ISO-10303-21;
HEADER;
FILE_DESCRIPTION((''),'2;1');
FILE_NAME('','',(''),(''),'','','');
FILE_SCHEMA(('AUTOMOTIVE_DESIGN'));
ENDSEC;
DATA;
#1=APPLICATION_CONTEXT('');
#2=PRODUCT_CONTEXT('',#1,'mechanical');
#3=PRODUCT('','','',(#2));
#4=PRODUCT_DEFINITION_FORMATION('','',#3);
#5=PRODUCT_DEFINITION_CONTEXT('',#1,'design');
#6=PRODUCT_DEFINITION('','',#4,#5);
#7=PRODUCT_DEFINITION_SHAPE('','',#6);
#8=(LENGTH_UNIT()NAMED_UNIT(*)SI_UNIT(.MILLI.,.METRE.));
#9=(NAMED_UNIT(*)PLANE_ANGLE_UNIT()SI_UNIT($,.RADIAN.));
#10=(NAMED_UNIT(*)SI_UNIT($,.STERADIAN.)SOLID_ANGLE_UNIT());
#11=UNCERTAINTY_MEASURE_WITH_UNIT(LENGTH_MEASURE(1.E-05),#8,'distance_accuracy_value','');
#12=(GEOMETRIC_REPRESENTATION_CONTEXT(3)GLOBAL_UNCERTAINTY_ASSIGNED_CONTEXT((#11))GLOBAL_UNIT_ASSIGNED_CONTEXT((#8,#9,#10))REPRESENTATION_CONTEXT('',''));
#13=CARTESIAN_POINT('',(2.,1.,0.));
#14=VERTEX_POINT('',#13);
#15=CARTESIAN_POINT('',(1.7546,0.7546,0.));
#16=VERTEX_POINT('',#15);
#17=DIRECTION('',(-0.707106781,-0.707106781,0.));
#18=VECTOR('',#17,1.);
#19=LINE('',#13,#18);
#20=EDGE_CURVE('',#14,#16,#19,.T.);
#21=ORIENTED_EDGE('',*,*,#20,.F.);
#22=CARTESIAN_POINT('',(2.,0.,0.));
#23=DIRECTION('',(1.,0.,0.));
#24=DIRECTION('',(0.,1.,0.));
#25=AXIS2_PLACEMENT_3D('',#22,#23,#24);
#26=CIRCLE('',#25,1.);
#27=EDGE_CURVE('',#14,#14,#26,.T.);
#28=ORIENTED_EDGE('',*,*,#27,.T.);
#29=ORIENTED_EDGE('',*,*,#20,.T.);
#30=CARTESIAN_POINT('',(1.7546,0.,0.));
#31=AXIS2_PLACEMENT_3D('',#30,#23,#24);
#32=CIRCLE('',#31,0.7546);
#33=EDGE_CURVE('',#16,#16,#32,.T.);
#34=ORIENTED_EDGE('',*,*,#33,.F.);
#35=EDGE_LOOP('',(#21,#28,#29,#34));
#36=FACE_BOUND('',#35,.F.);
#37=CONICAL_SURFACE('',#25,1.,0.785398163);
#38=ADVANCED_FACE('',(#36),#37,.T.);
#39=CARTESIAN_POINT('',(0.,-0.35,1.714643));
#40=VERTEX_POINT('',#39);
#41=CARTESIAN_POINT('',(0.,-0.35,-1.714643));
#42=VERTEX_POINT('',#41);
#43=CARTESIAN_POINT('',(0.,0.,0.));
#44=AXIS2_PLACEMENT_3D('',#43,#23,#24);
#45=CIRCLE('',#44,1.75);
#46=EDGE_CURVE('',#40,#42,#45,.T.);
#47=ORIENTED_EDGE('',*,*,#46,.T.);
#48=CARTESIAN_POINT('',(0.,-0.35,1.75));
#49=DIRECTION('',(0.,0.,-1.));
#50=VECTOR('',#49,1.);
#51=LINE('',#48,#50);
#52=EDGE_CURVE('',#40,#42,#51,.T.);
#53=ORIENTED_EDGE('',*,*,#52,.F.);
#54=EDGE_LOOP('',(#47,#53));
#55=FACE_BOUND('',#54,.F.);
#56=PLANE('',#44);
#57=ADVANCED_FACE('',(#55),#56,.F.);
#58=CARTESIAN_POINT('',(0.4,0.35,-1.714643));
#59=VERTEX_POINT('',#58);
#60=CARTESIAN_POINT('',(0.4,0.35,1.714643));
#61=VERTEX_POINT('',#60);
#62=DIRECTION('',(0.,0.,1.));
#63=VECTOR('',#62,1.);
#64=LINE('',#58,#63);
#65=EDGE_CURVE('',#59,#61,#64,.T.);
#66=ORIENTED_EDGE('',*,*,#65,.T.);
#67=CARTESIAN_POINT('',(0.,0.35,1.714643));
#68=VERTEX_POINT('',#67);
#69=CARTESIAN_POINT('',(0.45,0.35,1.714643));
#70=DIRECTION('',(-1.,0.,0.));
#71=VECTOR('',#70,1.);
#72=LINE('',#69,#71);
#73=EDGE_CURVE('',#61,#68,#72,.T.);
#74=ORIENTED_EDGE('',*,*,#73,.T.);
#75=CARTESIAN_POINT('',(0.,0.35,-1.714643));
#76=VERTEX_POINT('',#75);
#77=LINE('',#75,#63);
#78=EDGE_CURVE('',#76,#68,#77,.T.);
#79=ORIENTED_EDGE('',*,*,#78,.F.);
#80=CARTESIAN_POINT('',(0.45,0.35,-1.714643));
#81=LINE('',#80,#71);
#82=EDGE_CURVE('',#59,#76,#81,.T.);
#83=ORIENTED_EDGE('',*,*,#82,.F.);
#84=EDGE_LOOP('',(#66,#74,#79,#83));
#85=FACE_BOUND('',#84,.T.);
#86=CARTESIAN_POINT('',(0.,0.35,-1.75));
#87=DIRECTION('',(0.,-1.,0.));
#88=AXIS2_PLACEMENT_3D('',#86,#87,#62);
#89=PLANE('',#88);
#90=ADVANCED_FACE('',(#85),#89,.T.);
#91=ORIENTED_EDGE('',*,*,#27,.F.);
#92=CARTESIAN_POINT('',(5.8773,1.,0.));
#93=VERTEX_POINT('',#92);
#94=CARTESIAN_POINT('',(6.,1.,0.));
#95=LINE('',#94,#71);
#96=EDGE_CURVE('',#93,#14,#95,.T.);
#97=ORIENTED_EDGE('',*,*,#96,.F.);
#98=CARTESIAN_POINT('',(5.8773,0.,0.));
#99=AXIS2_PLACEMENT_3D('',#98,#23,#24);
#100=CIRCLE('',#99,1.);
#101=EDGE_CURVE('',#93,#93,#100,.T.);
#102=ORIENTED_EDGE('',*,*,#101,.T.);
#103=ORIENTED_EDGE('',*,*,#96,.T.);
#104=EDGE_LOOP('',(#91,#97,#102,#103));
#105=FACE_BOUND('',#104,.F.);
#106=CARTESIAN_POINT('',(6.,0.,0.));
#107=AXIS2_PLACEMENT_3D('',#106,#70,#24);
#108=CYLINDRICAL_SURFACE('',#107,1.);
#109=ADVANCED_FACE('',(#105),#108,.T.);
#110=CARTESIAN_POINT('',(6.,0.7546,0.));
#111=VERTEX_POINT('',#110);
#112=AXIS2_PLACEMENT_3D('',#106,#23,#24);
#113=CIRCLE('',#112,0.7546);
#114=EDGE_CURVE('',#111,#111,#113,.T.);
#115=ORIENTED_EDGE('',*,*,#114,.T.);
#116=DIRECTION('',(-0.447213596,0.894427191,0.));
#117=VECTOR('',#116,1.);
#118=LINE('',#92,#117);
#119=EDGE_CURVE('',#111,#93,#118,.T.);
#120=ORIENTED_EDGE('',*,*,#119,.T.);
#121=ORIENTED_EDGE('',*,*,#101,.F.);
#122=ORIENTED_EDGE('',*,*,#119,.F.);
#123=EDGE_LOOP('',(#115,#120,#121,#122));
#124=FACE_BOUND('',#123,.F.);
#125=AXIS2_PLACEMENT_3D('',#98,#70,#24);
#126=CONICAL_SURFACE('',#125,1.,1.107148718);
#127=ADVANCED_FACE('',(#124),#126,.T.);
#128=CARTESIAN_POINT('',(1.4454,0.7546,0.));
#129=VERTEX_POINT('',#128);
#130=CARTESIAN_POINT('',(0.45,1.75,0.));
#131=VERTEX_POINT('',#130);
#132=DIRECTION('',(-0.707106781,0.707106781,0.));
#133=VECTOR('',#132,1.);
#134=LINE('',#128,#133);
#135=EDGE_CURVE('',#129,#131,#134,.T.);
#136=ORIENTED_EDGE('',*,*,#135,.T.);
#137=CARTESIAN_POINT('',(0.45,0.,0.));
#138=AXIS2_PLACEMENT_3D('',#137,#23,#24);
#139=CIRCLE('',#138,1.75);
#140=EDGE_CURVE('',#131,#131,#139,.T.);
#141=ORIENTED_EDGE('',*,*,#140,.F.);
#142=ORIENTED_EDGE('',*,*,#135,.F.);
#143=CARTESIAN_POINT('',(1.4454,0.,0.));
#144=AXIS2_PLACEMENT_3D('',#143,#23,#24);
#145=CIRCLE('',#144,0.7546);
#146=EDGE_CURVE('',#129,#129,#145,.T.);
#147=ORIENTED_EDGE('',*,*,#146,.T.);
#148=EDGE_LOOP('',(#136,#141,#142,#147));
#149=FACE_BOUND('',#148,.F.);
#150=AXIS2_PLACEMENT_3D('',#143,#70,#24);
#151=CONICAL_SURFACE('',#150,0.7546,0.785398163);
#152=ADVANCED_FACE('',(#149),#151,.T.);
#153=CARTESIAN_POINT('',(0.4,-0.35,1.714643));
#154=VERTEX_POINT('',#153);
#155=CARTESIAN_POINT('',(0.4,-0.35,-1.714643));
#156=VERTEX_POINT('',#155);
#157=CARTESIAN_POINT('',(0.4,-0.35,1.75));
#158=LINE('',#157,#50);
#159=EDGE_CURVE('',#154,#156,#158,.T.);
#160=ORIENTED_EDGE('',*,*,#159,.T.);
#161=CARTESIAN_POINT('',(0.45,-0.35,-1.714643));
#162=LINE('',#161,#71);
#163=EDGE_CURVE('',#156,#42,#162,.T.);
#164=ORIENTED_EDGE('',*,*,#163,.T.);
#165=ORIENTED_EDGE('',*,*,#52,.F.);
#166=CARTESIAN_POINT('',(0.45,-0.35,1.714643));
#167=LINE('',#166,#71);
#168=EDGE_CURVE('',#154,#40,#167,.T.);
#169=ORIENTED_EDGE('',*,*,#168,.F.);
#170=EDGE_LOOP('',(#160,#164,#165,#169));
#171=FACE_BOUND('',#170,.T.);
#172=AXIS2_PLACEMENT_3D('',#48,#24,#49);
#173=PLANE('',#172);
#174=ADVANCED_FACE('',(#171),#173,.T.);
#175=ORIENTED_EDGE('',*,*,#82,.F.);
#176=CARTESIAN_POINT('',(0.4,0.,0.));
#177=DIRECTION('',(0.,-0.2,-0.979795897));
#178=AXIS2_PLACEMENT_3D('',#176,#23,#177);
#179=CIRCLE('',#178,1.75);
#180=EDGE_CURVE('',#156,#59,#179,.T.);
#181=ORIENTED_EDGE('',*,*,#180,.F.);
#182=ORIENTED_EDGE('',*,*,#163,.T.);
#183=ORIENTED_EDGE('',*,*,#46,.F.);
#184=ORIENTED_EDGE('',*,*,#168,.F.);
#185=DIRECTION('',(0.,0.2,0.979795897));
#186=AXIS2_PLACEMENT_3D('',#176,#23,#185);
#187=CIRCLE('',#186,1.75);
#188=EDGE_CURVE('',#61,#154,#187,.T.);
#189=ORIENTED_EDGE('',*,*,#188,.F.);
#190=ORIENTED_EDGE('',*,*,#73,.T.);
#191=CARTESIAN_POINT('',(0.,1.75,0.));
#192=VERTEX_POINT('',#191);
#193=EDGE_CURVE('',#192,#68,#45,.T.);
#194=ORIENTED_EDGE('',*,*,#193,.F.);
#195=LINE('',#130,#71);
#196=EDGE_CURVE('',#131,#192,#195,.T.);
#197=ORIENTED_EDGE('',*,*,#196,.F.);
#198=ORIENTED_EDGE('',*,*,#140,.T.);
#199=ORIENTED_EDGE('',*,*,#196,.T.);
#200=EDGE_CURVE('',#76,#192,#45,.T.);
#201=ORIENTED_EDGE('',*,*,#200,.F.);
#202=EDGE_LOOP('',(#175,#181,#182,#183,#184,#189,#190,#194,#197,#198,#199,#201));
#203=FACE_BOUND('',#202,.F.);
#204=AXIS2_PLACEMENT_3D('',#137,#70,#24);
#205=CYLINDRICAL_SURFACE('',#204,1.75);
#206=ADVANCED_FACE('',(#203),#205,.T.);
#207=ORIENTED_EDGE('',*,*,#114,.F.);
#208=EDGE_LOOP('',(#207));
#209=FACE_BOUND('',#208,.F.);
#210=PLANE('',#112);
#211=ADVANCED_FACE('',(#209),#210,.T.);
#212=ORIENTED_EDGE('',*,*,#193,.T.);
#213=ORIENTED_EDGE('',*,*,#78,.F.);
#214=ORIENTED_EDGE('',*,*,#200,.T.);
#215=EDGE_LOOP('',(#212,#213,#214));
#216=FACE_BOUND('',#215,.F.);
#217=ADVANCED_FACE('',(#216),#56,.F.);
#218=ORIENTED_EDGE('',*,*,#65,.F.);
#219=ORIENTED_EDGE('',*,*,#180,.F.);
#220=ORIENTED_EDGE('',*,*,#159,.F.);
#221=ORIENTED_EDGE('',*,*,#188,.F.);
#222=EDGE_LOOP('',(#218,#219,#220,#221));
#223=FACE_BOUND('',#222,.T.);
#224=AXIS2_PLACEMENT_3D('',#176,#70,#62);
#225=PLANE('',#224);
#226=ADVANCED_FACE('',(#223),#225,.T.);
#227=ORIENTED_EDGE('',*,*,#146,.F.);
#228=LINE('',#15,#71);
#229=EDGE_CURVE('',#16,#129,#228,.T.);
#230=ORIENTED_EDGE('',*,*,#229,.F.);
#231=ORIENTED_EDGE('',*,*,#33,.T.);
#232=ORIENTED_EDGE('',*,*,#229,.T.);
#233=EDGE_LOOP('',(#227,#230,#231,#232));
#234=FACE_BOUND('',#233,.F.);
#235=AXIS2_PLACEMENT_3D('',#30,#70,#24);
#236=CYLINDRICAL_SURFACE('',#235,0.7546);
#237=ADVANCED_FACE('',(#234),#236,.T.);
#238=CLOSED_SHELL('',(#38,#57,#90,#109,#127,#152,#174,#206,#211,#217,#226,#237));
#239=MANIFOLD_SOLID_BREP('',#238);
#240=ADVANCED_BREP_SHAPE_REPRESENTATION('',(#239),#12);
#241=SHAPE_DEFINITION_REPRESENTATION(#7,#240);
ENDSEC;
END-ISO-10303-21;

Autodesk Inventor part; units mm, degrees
ref_plane "YZ Plane" through (0, 0, 0) normal (1, 0, 0) x (0, 1, 0)
ref_plane "XZ Plane" through (0, 0, 0) normal (0, 1, 0) x (-1, 0, 0)
sketch "Sketch1" plane through (0, 0, 0) normal (0, 0, 1) x (1, 0, 0)
  line L0 (0, 0) -> (6, 0)
  line L1 (6, 0) -> (6, 1)
  line L2 (6, 1) -> (2, 1)
  line L3 (2, 1) -> (1.7546, 0.7546)
  line L4 (1.7546, 0.7546) -> (1.4454, 0.7546)
  line L5 (1.4454, 0.7546) -> (0.45, 1.75)
  line L6 (0.45, 1.75) -> (0, 1.75)
  line L7 (0, 1.75) -> (0, 0)
  line L8 (2, 1) -> (1.2, 1) construction
  line L9 (-1.2, 0) -> (7.2, 0) projected
  line L10 (0, 2.1) -> (0, -0.35) projected
  dimension "d0" = 6
  dimension "d1" = 45
  dimension "d2" = 0.2454
  dimension "d3" = 4
  dimension "d4" = 1.2
  dimension "d5" = 1.5092
  dimension "d6" = 2
  dimension "d7" = 3.5
revolve "Body" add sketch "Sketch1" angle 360 about axis through (0, 0, 0) along (1, 0, 0)
sketch "Sketch2" plane through (0, 0, 0) normal (-1, 0, 0) x (0, 0, 1)
  line L0 (1.75, -0.35) -> (-1.75, -0.35)
  line L1 (-1.75, -0.35) -> (-1.75, 0.35)
  line L2 (-1.75, 0.35) -> (1.75, 0.35)
  line L3 (1.75, 0.35) -> (1.75, -0.35)
  line L4 (0, 0.35) -> (0, -0.35) construction
  line L5 (-1.75, 0) -> (1.75, 0) construction
  line L6 (0, 1.75) -> (0, 0) projected
  dimension "d15" = 0.7
  dimension "d16" = 3.5
extrude "Slot" cut sketch "Sketch2" against normal blind 0.4
thread "Thread" size "M2x0.4" class "6g" standard "ISO Metric profile" length 4
chamfer "Chamfer1" distance 0.2454 distance2 0.1227 1 edges at (6, -1, 0) measured on face at (6, -0.0858, 0.7069)
ref_plane "Work Plane1" through (33.575, 0, 0) normal (0, 0, -1) x (1, 0, 0)
equation "\"d0\" = NLG"
equation "\"d1\" = 0.5 * SEWI"
equation "\"d2\" = GAL"
equation "\"d3\" = GEL"
equation "\"d4\" = KOH"
equation "\"d5\" = BDM"
equation "\"d6\" = GD"
equation "\"d7\" = KOD"
equation "\"d15\" = SBR"
equation "\"d16\" = KOD"
equation "\"d8\" = STI"
equation "\"d10\" = GEL"
equation "\"d12\" = -0.5 * SPD + 0.5 * GD"
equation "\"d13\" = 0.5 * GAL"
equation "\"NLG\" = 6"
equation "\"GAL\" = 0.61345 * PTC"
equation "\"GEL\" = 4"
equation "\"KOH\" = 1.2"
equation "\"KOD\" = 3.5"
equation "\"SEWI\" = 90deg"
equation "\"BDM\" = NND - 1.2269 * PTC"
equation "\"GD\" = NND"
equation "\"SBR\" = 0.7"
equation "\"STI\" = 0.4"
equation "\"SPD\" = NND - 1.2269 * PTC"
equation "\"GUL\" = 0.61345 * PTC"
equation "\"PTC\" = 0.4"
equation "\"EPV\" = 2.2"
equation "\"THREADDIA\" = 2"
equation "\"TOA\" = 30deg"
equation "\"RR\" = 0.2"
equation "\"NND\" = 2"
equation "\"GD1\" = THREADDIA - 1.2269 * PTC"
properties part number "AS 1427 - M2 x 6(8)" material "Steel, Mild"
